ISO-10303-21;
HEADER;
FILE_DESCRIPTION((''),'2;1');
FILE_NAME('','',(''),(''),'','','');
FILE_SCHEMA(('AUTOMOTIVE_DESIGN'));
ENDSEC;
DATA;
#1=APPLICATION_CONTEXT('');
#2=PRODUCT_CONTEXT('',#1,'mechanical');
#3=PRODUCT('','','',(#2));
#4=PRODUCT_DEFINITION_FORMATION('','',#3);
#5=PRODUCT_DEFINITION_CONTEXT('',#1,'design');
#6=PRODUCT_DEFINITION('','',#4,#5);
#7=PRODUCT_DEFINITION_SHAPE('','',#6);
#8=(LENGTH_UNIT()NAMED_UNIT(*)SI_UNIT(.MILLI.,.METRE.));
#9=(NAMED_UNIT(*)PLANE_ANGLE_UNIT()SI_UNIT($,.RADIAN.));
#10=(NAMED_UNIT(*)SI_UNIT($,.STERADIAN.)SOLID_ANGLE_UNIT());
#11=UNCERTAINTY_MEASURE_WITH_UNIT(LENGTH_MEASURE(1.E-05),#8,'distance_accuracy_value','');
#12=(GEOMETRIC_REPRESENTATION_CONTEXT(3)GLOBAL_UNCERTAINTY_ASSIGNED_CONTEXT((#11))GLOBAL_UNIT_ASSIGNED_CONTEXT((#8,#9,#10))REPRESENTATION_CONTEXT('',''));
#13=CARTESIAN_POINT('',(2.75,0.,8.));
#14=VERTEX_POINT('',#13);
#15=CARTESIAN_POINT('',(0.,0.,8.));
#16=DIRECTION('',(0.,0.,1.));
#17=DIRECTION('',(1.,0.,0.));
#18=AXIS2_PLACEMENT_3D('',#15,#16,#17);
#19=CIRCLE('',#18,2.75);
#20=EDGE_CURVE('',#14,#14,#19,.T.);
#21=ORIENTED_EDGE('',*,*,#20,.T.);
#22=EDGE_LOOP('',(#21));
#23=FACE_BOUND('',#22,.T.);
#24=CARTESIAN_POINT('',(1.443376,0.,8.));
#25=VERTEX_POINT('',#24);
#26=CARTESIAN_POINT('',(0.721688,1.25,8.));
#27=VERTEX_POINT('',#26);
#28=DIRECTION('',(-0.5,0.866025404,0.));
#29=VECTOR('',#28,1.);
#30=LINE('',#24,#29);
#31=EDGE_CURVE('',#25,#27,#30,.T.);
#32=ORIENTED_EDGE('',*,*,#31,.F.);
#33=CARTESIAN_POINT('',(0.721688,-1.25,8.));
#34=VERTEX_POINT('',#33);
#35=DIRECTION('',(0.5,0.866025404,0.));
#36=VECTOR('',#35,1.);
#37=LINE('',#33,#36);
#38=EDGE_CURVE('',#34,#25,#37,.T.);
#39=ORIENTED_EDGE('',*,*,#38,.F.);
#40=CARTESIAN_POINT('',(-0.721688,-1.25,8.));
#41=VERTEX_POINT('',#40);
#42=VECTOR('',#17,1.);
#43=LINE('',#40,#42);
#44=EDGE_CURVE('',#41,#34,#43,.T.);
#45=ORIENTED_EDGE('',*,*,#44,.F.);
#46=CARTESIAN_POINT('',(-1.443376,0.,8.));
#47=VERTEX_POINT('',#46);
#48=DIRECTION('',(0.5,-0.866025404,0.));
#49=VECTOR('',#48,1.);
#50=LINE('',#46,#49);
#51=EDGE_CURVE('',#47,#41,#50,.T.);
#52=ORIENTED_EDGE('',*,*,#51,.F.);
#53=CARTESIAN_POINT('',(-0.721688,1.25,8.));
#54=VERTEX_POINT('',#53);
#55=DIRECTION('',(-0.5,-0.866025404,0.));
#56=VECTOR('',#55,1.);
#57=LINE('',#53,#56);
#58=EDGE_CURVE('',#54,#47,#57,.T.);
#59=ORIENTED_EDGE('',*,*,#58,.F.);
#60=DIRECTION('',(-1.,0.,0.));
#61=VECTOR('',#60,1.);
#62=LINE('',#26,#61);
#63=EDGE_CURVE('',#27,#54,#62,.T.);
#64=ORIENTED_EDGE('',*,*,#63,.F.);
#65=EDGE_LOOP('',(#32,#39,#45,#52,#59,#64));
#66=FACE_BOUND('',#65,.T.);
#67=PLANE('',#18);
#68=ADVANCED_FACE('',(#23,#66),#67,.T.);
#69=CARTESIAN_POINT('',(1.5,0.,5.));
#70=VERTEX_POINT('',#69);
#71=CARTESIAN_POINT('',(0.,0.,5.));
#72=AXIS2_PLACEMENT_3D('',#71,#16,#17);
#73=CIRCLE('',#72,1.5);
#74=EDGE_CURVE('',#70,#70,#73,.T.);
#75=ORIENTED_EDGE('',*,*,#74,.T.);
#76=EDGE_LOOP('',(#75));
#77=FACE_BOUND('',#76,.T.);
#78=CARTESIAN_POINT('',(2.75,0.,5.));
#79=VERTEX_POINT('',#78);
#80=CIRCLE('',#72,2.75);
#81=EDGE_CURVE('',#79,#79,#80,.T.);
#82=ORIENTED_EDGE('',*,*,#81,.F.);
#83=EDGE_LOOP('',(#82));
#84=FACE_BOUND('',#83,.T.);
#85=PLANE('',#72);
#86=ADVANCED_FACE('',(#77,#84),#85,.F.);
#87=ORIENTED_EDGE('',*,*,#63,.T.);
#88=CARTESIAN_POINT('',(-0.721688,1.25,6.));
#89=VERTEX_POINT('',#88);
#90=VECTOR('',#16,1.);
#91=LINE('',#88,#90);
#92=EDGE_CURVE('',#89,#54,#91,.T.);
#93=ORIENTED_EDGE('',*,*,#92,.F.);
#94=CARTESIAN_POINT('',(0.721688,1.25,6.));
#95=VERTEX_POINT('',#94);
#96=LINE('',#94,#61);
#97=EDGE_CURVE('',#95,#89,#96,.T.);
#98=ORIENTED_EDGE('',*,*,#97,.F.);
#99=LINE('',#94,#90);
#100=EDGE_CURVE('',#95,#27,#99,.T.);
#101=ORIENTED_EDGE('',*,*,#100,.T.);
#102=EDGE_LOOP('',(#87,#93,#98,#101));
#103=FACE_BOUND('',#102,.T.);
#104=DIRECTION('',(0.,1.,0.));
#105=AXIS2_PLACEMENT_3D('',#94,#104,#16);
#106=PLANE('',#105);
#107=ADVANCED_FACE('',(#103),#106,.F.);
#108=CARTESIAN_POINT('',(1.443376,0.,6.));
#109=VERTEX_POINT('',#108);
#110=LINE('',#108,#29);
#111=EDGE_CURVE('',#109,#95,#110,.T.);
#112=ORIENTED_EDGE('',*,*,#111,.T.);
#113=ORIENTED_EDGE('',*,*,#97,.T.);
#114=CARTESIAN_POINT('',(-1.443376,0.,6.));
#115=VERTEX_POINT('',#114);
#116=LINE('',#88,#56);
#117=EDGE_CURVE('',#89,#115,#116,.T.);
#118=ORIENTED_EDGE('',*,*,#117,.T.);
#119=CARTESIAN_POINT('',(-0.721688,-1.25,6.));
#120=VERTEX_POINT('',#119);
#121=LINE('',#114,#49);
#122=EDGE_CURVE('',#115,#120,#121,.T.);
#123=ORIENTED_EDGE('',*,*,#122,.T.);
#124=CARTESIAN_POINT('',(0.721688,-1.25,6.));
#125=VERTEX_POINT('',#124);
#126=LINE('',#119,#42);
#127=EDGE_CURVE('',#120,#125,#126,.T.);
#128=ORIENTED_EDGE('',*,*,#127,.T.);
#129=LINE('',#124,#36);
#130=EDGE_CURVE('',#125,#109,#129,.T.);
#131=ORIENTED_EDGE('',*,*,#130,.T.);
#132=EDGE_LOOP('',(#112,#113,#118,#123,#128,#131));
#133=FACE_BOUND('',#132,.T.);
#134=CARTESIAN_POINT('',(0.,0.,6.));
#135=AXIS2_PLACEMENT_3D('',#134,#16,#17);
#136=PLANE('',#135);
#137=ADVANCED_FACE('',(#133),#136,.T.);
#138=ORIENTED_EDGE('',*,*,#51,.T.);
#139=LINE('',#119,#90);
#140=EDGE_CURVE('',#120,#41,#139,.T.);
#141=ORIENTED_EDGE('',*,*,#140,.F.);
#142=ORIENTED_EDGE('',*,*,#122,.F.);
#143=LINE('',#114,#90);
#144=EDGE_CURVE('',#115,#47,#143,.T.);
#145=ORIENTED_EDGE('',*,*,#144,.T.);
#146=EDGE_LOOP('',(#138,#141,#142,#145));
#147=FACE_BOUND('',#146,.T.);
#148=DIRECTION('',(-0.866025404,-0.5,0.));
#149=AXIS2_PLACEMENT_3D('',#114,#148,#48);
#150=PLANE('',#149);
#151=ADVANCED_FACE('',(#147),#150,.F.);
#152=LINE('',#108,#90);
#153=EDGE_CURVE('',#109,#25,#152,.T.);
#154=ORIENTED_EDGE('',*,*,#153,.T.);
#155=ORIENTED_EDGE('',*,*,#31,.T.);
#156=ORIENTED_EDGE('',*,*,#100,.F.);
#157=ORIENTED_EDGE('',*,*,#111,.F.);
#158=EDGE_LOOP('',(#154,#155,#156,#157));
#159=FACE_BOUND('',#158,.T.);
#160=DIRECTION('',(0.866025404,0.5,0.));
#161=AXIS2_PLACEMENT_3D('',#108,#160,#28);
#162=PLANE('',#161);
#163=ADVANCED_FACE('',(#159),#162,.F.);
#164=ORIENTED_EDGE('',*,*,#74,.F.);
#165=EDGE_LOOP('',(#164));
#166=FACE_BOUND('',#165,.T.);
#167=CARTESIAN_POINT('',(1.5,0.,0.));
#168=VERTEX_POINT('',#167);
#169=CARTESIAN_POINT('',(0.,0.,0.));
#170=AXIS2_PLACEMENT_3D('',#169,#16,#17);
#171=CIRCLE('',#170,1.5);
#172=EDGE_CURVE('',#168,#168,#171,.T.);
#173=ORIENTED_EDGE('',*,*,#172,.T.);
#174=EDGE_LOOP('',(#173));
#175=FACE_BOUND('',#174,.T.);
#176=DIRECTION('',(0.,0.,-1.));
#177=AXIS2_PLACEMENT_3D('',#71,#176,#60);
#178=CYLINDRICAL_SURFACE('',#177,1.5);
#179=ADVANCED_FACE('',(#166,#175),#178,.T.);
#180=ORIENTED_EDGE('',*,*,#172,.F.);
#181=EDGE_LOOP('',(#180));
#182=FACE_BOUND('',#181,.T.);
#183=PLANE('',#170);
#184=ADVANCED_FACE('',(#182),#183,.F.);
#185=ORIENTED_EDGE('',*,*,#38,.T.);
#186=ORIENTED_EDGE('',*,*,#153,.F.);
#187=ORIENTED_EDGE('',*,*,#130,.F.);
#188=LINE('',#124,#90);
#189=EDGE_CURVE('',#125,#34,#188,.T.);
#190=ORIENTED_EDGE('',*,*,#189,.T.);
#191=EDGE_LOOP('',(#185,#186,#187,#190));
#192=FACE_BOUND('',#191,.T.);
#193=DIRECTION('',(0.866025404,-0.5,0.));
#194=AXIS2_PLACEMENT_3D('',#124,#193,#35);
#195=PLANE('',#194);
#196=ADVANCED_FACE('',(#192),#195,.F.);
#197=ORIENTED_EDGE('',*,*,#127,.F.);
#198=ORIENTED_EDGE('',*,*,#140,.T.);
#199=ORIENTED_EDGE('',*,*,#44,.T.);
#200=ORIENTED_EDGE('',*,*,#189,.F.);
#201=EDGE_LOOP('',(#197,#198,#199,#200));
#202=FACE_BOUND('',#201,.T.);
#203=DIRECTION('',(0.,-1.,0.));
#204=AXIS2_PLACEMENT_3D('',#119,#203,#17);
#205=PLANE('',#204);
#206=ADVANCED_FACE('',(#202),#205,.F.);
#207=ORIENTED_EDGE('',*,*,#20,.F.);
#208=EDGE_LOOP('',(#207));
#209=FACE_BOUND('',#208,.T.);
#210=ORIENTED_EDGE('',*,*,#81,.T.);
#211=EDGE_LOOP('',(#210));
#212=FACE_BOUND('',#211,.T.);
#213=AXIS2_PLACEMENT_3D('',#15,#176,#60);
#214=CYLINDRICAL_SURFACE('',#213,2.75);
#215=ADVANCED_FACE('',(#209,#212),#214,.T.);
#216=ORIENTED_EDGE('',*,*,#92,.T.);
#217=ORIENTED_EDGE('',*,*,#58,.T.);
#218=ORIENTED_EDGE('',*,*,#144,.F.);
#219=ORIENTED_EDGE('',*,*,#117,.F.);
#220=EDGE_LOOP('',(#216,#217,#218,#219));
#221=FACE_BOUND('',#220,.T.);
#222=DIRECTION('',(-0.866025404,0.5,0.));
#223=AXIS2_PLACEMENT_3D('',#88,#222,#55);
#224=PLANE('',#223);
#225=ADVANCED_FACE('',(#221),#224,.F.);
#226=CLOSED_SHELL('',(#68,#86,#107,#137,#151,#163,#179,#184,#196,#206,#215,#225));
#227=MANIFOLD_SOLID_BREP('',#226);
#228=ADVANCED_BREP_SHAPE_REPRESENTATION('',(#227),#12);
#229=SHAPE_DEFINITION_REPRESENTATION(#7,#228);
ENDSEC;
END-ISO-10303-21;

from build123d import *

# Parameters (mm, degrees)
ESQUISSE1_R             = 1.5
BOSS_EXTRU_1_DEPTH      = 5
ESQUISSE2_R             = 2.75
BOSS_EXTRU_2_DEPTH      = 3
ENL_V_MAT_EXTRU_1_DEPTH = 2


with BuildPart() as part:
    # Esquisse1 → Boss.-Extru.1 (new body)
    with BuildSketch(Plane.XY):
        Circle(ESQUISSE1_R)
    extrude(amount=BOSS_EXTRU_1_DEPTH)

    # Esquisse2 → Boss.-Extru.2 (add)
    with BuildSketch(Plane.XY.offset(5)):
        Circle(ESQUISSE2_R)
    extrude(amount=BOSS_EXTRU_2_DEPTH)

    # Esquisse3 → Enlèv. mat.-Extru.1 (cut)
    with BuildSketch(Plane.XY.offset(8)):
        Polygon((1.443375673, 0), (0.721687836, 1.25), (-0.721687836, 1.25), (-1.443375673, 0), (-0.721687836, -1.25), (0.721687836, -1.25), align=None)
    extrude(amount=-ENL_V_MAT_EXTRU_1_DEPTH, mode=Mode.SUBTRACT)


solid = part.part
